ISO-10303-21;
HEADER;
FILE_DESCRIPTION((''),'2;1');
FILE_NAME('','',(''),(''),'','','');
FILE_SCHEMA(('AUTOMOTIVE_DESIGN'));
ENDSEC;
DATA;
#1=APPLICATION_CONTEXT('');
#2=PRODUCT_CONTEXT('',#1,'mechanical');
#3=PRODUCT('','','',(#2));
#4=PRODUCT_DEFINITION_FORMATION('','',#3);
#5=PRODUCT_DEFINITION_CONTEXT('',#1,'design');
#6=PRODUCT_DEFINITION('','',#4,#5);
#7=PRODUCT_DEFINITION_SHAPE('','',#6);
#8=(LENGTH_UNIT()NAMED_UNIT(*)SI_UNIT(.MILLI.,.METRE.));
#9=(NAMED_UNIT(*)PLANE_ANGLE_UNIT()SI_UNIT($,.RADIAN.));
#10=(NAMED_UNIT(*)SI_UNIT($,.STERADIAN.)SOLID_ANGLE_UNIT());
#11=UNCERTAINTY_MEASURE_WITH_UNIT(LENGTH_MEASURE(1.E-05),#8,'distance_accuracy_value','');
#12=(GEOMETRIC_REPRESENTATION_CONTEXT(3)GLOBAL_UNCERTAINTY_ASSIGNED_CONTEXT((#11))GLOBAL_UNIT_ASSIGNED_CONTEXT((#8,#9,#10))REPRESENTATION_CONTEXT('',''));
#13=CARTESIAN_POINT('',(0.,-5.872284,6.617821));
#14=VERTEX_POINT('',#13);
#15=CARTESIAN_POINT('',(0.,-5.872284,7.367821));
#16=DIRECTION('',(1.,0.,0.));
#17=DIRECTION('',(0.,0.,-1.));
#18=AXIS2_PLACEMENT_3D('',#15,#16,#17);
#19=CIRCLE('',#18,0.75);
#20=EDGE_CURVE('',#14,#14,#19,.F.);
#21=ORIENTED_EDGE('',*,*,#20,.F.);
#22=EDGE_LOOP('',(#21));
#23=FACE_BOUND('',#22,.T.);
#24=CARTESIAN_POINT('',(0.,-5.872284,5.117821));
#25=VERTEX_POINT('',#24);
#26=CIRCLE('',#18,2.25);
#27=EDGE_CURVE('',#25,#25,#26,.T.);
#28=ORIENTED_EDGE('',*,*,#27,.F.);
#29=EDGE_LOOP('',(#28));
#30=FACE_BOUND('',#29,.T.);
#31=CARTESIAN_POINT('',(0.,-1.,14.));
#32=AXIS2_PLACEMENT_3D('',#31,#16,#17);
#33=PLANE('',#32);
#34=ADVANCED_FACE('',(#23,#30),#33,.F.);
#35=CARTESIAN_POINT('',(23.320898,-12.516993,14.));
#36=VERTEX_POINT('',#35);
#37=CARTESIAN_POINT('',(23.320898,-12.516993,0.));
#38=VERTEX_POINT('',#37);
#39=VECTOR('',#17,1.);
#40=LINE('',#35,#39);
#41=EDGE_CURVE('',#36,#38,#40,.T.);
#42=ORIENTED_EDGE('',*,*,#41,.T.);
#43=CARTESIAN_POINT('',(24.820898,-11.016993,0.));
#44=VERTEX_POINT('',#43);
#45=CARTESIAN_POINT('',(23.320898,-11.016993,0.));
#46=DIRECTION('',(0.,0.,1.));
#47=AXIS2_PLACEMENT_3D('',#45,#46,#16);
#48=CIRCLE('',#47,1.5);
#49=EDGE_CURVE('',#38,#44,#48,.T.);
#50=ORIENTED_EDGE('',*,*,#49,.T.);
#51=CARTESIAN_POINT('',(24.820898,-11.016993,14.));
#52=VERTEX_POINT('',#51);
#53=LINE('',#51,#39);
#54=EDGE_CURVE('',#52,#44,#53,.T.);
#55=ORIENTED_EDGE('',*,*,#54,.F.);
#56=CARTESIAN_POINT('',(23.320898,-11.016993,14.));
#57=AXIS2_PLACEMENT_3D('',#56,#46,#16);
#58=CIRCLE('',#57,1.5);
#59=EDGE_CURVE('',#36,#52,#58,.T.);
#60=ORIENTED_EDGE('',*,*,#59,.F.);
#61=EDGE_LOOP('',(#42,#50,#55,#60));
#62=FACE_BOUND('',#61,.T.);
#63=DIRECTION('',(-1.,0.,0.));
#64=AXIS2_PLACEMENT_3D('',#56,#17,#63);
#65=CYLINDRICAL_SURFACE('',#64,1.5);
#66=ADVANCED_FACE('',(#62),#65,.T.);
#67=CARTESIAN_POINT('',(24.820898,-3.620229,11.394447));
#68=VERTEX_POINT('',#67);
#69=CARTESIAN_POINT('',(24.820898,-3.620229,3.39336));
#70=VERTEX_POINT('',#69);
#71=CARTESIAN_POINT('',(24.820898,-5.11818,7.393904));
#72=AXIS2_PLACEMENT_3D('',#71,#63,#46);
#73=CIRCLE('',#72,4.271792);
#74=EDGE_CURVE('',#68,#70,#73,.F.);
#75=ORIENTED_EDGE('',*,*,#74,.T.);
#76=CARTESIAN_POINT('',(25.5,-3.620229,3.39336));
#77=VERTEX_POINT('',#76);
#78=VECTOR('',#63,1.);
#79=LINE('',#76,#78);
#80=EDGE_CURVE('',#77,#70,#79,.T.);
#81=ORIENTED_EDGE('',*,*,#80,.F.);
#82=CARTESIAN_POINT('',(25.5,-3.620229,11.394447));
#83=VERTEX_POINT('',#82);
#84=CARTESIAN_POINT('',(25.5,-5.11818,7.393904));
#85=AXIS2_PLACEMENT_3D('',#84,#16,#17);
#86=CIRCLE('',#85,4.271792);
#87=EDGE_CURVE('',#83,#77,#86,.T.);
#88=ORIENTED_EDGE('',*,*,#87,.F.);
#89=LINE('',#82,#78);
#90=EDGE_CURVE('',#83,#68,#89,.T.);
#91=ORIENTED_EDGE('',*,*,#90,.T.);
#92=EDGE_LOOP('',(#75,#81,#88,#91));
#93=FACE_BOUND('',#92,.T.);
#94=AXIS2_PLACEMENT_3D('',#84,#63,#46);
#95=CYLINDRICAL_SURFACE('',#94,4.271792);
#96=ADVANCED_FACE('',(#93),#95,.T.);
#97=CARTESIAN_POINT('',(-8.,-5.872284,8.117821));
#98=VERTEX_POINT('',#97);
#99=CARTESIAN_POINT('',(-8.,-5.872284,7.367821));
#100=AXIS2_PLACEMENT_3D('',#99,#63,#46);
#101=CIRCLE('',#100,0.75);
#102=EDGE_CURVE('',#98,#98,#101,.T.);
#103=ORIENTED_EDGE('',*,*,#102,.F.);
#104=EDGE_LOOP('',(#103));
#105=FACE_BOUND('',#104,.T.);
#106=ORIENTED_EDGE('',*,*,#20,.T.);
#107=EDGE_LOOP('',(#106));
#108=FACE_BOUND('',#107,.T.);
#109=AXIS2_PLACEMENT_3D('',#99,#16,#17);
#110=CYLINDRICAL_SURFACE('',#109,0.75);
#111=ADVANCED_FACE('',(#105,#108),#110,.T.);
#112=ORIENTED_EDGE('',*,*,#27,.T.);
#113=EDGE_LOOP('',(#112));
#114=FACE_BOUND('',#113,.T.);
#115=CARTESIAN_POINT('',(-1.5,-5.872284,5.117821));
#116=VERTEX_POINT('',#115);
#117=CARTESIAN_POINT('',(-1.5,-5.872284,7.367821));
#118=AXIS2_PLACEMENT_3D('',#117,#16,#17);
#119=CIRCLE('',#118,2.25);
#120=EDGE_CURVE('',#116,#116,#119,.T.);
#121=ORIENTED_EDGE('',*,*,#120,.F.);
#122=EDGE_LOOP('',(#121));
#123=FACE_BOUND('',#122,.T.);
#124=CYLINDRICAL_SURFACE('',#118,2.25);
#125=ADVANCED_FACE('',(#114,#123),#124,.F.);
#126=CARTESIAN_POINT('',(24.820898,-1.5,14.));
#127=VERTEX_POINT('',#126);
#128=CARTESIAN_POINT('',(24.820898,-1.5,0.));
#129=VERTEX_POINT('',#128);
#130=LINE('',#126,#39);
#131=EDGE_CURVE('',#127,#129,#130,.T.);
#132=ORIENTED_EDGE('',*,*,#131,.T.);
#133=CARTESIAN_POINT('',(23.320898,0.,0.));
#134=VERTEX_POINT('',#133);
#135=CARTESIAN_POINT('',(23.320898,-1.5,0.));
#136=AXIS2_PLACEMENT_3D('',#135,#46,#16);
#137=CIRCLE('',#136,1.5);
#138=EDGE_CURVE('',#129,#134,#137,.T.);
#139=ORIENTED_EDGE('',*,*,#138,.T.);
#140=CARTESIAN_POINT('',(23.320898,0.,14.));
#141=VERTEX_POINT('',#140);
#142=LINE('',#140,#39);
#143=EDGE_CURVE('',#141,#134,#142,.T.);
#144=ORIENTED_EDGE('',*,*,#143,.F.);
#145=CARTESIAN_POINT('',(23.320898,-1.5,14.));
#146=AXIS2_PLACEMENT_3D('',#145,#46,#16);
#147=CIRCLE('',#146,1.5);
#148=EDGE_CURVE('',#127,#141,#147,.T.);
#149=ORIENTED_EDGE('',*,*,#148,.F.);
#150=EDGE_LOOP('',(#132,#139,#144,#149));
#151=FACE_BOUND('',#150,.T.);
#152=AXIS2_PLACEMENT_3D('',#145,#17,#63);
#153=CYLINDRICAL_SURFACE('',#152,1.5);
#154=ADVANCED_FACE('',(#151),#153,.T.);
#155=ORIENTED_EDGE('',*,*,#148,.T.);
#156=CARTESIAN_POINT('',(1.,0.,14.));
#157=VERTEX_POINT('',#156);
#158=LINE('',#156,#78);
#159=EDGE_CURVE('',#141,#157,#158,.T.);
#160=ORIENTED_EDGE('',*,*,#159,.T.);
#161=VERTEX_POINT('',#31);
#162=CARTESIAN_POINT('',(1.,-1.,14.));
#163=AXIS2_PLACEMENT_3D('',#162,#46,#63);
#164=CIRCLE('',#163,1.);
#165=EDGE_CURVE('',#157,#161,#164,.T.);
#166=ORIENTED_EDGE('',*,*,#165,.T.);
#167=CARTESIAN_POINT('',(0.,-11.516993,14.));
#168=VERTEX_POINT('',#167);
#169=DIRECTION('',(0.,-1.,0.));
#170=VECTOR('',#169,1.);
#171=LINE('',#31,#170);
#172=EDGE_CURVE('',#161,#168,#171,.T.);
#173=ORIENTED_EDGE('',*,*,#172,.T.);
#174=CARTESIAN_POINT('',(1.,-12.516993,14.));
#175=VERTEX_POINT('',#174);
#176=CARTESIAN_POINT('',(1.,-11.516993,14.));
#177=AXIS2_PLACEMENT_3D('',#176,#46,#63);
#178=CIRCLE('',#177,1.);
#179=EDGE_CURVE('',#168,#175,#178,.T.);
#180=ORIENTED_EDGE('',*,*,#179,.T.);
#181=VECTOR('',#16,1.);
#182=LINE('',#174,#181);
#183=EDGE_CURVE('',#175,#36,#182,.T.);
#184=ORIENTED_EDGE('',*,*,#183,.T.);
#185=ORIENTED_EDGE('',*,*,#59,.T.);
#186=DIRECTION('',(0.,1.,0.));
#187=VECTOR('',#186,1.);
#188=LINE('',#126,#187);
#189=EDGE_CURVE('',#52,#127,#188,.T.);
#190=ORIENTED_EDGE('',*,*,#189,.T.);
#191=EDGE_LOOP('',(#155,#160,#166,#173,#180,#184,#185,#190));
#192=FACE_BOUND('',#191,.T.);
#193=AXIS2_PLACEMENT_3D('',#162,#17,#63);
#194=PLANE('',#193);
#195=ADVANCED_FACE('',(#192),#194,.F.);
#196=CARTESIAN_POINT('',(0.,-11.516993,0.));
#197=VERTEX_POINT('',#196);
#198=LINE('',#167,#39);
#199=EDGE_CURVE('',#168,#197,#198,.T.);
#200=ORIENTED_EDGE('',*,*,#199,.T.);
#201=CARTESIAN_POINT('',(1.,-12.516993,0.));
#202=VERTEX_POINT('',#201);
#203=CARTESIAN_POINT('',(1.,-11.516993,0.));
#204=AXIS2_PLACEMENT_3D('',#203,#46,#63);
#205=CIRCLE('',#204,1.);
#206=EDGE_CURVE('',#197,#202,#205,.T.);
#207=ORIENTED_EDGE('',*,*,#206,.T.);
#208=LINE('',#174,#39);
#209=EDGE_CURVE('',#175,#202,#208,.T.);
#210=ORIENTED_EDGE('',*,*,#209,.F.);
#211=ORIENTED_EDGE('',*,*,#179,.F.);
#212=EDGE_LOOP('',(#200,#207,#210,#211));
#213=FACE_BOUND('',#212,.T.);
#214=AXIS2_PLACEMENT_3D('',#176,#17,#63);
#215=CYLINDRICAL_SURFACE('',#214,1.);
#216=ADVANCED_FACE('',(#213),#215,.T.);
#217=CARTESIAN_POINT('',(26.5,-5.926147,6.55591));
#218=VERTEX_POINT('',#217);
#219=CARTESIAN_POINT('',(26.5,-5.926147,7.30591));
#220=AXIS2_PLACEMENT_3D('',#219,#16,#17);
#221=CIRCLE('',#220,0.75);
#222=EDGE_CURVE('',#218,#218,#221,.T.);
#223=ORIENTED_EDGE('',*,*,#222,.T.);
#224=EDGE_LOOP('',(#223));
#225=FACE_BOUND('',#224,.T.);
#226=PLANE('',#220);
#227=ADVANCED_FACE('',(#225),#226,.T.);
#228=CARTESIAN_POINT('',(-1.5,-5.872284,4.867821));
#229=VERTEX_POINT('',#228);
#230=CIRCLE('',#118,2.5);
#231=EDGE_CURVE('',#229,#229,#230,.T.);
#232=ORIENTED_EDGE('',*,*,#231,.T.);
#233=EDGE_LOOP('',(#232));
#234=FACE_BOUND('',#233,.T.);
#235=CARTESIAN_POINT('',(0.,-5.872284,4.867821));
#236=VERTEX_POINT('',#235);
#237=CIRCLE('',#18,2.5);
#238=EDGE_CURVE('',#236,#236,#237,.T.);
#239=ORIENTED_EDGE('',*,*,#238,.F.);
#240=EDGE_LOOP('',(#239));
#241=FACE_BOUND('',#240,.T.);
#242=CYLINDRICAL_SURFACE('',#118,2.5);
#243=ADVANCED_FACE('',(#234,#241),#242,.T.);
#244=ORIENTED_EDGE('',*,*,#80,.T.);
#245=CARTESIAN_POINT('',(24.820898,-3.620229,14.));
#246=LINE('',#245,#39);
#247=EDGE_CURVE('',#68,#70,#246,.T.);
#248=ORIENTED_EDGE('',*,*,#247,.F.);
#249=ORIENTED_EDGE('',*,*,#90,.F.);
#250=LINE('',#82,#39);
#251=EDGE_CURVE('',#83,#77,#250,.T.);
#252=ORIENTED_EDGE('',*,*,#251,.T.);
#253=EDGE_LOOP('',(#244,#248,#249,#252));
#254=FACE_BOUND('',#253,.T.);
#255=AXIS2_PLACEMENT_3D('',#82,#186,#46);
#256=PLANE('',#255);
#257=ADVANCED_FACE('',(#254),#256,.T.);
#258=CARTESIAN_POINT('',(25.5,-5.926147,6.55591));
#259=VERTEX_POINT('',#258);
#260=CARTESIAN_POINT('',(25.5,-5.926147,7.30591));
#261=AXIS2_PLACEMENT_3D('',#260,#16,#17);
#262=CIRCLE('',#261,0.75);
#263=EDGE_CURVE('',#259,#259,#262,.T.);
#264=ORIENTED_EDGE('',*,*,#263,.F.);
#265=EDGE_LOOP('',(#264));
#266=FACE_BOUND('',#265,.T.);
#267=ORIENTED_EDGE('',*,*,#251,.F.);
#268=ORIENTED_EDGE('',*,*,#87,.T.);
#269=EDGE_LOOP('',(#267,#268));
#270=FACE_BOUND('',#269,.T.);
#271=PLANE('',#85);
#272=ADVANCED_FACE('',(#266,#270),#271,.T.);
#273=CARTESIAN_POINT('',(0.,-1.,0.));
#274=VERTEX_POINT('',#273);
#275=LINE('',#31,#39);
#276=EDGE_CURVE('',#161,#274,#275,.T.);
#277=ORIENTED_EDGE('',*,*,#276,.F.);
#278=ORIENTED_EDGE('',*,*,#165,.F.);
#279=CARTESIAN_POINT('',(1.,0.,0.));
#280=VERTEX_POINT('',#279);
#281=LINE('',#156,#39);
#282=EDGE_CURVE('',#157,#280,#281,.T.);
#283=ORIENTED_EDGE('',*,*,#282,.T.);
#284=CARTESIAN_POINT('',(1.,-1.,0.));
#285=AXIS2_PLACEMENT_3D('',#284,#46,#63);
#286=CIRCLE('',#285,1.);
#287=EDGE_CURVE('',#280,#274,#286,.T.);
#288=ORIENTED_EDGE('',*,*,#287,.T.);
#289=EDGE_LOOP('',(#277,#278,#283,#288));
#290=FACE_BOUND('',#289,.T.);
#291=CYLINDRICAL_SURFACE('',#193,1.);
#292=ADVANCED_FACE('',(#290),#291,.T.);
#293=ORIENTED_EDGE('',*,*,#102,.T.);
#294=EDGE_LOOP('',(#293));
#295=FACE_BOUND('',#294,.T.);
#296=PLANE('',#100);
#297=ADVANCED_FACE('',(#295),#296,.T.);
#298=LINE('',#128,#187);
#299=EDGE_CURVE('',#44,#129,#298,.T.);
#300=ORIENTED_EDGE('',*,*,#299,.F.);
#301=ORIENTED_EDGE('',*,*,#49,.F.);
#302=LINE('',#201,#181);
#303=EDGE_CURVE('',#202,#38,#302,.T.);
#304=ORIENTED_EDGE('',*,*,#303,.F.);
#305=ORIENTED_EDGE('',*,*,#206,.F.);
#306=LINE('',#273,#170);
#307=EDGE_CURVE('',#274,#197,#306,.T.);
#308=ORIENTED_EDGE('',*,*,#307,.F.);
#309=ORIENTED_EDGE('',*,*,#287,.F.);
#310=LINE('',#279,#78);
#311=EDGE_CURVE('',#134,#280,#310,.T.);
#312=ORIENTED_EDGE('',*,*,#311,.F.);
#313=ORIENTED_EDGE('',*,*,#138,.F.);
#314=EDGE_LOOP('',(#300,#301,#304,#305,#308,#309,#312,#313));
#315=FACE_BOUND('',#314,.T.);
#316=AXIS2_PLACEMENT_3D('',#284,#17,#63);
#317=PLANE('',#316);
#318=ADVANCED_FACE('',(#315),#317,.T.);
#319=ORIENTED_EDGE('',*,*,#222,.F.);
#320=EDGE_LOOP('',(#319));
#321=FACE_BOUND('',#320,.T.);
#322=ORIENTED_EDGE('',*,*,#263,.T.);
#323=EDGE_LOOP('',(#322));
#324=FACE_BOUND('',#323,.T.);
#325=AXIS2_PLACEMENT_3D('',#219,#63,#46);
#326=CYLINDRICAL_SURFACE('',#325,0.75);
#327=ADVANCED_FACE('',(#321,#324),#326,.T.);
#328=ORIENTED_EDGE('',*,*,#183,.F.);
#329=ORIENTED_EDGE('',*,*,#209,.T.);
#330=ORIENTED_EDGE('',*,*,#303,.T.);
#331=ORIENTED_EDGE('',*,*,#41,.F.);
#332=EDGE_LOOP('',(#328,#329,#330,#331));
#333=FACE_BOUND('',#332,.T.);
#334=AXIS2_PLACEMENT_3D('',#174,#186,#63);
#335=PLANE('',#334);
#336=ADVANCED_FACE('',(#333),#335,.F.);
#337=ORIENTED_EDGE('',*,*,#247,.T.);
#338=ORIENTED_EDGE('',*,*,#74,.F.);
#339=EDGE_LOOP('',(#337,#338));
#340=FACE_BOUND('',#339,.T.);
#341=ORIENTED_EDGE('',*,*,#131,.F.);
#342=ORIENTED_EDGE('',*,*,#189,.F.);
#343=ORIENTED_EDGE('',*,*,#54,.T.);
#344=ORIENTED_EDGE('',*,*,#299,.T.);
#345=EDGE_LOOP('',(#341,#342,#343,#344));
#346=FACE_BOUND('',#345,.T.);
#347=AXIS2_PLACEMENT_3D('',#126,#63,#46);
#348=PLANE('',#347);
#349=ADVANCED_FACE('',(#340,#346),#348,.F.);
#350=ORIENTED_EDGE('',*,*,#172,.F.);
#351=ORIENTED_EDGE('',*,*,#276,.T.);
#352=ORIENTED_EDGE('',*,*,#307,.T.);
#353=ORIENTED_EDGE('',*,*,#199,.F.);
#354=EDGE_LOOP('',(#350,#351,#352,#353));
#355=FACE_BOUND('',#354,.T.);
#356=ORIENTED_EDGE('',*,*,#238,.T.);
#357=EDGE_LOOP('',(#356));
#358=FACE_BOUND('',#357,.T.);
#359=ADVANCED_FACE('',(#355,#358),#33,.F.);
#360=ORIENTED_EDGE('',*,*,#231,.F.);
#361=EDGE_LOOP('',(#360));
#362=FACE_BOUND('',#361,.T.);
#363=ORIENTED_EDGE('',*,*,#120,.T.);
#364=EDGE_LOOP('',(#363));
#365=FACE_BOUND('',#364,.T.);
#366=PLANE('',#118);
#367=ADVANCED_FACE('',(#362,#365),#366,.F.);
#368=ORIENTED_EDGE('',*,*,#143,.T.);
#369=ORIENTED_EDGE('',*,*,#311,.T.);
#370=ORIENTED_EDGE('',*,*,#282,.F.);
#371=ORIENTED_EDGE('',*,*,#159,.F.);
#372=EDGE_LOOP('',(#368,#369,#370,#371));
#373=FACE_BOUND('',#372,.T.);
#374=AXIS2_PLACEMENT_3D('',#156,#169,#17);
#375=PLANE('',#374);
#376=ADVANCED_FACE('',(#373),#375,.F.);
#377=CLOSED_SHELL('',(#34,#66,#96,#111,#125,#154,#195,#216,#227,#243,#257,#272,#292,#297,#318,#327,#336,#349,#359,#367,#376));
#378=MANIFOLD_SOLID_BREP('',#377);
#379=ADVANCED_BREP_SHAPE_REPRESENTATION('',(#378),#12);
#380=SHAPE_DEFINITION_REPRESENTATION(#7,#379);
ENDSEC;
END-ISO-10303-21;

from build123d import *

# Parameters (mm, degrees)
BOSS_EXTRUDE1_DEPTH = 14
SKETCH2_R           = 2.5
SKETCH2_R_2         = 2.25
BOSS_EXTRUDE3_DEPTH = 1.5
SKETCH3_R           = 0.75
BOSS_EXTRUDE4_DEPTH = 8
BOSS_EXTRUDE5_DEPTH = 25.5
SKETCH8_R           = 0.75
BOSS_EXTRUDE7_DEPTH = 1
SKETCH9_R           = 0.75
BOSS_EXTRUDE8_DEPTH = 1


with BuildPart() as part:
    # Sketch1 → Boss-Extrude1 (new body)
    with BuildSketch(Plane.XY):
        with BuildLine():
            Line((1, 0), (23.320898327, 0))
            ThreePointArc((23.320898327, 0), (24.381558498, -0.439339828), (24.820898327, -1.5))
            Line((24.820898327, -1.5), (24.820898327, -11.016992716))
            ThreePointArc((24.820898327, -11.016992716), (24.381558498, -12.077652887), (23.320898327, -12.516992716))
            Line((23.320898327, -12.516992716), (1, -12.516992716))
            ThreePointArc((1, -12.516992716), (0.292893219, -12.224099497), (0, -11.516992716))
            Line((0, -11.516992716), (0, -1))
            ThreePointArc((0, -1), (0.292893219, -0.292893219), (1, 0))
        make_face()
    extrude(amount=BOSS_EXTRUDE1_DEPTH)

    # Sketch2 → Boss-Extrude3 (add)
    with BuildSketch(Plane(origin=(0, 0, 0), x_dir=(0, 0, -1), z_dir=(1, 0, 0))):
        with Locations((-7.367821443, -5.872283843)):
            Circle(SKETCH2_R)
        with Locations((-7.367821443, -5.872283843)):
            Circle(SKETCH2_R_2, mode=Mode.SUBTRACT)
    extrude(amount=-BOSS_EXTRUDE3_DEPTH)

    # Sketch3 → Boss-Extrude4 (add)
    with BuildSketch(Plane.ZY):
        with Locations(Location((7.367821443, -5.872283843, 0), (0, 0, 180))):
            Circle(SKETCH3_R)
    extrude(amount=BOSS_EXTRUDE4_DEPTH)

    # Sketch7 → Boss-Extrude5 (add)
    with BuildSketch(Plane(origin=(0, 0, 0), x_dir=(0, 0, -1), z_dir=(1, 0, 0))):
        with BuildLine():
            Line((-11.394447379, -3.62022901), (-3.393359944, -3.62022901))
            ThreePointArc((-3.393359944, -3.62022901), (-7.393903662, -9.38997212), (-11.394447379, -3.62022901))
        make_face()
    extrude(amount=BOSS_EXTRUDE5_DEPTH)

    # Sketch8 → Boss-Extrude7 (add)
    with BuildSketch(Plane(origin=(25.5, 0, 0), x_dir=(0, 0, -1), z_dir=(1, 0, 0))):
        with Locations((-7.348346706, -5.904616391)):
            Circle(SKETCH8_R)
    extrude(amount=-BOSS_EXTRUDE7_DEPTH)

    # Sketch9 → Boss-Extrude8 (add)
    with BuildSketch(Plane(origin=(25.5, 0, 0), x_dir=(0, 0, -1), z_dir=(1, 0, 0))):
        with Locations((-7.305909656, -5.926147043)):
            Circle(SKETCH9_R)
    extrude(amount=BOSS_EXTRUDE8_DEPTH)


solid = part.part
